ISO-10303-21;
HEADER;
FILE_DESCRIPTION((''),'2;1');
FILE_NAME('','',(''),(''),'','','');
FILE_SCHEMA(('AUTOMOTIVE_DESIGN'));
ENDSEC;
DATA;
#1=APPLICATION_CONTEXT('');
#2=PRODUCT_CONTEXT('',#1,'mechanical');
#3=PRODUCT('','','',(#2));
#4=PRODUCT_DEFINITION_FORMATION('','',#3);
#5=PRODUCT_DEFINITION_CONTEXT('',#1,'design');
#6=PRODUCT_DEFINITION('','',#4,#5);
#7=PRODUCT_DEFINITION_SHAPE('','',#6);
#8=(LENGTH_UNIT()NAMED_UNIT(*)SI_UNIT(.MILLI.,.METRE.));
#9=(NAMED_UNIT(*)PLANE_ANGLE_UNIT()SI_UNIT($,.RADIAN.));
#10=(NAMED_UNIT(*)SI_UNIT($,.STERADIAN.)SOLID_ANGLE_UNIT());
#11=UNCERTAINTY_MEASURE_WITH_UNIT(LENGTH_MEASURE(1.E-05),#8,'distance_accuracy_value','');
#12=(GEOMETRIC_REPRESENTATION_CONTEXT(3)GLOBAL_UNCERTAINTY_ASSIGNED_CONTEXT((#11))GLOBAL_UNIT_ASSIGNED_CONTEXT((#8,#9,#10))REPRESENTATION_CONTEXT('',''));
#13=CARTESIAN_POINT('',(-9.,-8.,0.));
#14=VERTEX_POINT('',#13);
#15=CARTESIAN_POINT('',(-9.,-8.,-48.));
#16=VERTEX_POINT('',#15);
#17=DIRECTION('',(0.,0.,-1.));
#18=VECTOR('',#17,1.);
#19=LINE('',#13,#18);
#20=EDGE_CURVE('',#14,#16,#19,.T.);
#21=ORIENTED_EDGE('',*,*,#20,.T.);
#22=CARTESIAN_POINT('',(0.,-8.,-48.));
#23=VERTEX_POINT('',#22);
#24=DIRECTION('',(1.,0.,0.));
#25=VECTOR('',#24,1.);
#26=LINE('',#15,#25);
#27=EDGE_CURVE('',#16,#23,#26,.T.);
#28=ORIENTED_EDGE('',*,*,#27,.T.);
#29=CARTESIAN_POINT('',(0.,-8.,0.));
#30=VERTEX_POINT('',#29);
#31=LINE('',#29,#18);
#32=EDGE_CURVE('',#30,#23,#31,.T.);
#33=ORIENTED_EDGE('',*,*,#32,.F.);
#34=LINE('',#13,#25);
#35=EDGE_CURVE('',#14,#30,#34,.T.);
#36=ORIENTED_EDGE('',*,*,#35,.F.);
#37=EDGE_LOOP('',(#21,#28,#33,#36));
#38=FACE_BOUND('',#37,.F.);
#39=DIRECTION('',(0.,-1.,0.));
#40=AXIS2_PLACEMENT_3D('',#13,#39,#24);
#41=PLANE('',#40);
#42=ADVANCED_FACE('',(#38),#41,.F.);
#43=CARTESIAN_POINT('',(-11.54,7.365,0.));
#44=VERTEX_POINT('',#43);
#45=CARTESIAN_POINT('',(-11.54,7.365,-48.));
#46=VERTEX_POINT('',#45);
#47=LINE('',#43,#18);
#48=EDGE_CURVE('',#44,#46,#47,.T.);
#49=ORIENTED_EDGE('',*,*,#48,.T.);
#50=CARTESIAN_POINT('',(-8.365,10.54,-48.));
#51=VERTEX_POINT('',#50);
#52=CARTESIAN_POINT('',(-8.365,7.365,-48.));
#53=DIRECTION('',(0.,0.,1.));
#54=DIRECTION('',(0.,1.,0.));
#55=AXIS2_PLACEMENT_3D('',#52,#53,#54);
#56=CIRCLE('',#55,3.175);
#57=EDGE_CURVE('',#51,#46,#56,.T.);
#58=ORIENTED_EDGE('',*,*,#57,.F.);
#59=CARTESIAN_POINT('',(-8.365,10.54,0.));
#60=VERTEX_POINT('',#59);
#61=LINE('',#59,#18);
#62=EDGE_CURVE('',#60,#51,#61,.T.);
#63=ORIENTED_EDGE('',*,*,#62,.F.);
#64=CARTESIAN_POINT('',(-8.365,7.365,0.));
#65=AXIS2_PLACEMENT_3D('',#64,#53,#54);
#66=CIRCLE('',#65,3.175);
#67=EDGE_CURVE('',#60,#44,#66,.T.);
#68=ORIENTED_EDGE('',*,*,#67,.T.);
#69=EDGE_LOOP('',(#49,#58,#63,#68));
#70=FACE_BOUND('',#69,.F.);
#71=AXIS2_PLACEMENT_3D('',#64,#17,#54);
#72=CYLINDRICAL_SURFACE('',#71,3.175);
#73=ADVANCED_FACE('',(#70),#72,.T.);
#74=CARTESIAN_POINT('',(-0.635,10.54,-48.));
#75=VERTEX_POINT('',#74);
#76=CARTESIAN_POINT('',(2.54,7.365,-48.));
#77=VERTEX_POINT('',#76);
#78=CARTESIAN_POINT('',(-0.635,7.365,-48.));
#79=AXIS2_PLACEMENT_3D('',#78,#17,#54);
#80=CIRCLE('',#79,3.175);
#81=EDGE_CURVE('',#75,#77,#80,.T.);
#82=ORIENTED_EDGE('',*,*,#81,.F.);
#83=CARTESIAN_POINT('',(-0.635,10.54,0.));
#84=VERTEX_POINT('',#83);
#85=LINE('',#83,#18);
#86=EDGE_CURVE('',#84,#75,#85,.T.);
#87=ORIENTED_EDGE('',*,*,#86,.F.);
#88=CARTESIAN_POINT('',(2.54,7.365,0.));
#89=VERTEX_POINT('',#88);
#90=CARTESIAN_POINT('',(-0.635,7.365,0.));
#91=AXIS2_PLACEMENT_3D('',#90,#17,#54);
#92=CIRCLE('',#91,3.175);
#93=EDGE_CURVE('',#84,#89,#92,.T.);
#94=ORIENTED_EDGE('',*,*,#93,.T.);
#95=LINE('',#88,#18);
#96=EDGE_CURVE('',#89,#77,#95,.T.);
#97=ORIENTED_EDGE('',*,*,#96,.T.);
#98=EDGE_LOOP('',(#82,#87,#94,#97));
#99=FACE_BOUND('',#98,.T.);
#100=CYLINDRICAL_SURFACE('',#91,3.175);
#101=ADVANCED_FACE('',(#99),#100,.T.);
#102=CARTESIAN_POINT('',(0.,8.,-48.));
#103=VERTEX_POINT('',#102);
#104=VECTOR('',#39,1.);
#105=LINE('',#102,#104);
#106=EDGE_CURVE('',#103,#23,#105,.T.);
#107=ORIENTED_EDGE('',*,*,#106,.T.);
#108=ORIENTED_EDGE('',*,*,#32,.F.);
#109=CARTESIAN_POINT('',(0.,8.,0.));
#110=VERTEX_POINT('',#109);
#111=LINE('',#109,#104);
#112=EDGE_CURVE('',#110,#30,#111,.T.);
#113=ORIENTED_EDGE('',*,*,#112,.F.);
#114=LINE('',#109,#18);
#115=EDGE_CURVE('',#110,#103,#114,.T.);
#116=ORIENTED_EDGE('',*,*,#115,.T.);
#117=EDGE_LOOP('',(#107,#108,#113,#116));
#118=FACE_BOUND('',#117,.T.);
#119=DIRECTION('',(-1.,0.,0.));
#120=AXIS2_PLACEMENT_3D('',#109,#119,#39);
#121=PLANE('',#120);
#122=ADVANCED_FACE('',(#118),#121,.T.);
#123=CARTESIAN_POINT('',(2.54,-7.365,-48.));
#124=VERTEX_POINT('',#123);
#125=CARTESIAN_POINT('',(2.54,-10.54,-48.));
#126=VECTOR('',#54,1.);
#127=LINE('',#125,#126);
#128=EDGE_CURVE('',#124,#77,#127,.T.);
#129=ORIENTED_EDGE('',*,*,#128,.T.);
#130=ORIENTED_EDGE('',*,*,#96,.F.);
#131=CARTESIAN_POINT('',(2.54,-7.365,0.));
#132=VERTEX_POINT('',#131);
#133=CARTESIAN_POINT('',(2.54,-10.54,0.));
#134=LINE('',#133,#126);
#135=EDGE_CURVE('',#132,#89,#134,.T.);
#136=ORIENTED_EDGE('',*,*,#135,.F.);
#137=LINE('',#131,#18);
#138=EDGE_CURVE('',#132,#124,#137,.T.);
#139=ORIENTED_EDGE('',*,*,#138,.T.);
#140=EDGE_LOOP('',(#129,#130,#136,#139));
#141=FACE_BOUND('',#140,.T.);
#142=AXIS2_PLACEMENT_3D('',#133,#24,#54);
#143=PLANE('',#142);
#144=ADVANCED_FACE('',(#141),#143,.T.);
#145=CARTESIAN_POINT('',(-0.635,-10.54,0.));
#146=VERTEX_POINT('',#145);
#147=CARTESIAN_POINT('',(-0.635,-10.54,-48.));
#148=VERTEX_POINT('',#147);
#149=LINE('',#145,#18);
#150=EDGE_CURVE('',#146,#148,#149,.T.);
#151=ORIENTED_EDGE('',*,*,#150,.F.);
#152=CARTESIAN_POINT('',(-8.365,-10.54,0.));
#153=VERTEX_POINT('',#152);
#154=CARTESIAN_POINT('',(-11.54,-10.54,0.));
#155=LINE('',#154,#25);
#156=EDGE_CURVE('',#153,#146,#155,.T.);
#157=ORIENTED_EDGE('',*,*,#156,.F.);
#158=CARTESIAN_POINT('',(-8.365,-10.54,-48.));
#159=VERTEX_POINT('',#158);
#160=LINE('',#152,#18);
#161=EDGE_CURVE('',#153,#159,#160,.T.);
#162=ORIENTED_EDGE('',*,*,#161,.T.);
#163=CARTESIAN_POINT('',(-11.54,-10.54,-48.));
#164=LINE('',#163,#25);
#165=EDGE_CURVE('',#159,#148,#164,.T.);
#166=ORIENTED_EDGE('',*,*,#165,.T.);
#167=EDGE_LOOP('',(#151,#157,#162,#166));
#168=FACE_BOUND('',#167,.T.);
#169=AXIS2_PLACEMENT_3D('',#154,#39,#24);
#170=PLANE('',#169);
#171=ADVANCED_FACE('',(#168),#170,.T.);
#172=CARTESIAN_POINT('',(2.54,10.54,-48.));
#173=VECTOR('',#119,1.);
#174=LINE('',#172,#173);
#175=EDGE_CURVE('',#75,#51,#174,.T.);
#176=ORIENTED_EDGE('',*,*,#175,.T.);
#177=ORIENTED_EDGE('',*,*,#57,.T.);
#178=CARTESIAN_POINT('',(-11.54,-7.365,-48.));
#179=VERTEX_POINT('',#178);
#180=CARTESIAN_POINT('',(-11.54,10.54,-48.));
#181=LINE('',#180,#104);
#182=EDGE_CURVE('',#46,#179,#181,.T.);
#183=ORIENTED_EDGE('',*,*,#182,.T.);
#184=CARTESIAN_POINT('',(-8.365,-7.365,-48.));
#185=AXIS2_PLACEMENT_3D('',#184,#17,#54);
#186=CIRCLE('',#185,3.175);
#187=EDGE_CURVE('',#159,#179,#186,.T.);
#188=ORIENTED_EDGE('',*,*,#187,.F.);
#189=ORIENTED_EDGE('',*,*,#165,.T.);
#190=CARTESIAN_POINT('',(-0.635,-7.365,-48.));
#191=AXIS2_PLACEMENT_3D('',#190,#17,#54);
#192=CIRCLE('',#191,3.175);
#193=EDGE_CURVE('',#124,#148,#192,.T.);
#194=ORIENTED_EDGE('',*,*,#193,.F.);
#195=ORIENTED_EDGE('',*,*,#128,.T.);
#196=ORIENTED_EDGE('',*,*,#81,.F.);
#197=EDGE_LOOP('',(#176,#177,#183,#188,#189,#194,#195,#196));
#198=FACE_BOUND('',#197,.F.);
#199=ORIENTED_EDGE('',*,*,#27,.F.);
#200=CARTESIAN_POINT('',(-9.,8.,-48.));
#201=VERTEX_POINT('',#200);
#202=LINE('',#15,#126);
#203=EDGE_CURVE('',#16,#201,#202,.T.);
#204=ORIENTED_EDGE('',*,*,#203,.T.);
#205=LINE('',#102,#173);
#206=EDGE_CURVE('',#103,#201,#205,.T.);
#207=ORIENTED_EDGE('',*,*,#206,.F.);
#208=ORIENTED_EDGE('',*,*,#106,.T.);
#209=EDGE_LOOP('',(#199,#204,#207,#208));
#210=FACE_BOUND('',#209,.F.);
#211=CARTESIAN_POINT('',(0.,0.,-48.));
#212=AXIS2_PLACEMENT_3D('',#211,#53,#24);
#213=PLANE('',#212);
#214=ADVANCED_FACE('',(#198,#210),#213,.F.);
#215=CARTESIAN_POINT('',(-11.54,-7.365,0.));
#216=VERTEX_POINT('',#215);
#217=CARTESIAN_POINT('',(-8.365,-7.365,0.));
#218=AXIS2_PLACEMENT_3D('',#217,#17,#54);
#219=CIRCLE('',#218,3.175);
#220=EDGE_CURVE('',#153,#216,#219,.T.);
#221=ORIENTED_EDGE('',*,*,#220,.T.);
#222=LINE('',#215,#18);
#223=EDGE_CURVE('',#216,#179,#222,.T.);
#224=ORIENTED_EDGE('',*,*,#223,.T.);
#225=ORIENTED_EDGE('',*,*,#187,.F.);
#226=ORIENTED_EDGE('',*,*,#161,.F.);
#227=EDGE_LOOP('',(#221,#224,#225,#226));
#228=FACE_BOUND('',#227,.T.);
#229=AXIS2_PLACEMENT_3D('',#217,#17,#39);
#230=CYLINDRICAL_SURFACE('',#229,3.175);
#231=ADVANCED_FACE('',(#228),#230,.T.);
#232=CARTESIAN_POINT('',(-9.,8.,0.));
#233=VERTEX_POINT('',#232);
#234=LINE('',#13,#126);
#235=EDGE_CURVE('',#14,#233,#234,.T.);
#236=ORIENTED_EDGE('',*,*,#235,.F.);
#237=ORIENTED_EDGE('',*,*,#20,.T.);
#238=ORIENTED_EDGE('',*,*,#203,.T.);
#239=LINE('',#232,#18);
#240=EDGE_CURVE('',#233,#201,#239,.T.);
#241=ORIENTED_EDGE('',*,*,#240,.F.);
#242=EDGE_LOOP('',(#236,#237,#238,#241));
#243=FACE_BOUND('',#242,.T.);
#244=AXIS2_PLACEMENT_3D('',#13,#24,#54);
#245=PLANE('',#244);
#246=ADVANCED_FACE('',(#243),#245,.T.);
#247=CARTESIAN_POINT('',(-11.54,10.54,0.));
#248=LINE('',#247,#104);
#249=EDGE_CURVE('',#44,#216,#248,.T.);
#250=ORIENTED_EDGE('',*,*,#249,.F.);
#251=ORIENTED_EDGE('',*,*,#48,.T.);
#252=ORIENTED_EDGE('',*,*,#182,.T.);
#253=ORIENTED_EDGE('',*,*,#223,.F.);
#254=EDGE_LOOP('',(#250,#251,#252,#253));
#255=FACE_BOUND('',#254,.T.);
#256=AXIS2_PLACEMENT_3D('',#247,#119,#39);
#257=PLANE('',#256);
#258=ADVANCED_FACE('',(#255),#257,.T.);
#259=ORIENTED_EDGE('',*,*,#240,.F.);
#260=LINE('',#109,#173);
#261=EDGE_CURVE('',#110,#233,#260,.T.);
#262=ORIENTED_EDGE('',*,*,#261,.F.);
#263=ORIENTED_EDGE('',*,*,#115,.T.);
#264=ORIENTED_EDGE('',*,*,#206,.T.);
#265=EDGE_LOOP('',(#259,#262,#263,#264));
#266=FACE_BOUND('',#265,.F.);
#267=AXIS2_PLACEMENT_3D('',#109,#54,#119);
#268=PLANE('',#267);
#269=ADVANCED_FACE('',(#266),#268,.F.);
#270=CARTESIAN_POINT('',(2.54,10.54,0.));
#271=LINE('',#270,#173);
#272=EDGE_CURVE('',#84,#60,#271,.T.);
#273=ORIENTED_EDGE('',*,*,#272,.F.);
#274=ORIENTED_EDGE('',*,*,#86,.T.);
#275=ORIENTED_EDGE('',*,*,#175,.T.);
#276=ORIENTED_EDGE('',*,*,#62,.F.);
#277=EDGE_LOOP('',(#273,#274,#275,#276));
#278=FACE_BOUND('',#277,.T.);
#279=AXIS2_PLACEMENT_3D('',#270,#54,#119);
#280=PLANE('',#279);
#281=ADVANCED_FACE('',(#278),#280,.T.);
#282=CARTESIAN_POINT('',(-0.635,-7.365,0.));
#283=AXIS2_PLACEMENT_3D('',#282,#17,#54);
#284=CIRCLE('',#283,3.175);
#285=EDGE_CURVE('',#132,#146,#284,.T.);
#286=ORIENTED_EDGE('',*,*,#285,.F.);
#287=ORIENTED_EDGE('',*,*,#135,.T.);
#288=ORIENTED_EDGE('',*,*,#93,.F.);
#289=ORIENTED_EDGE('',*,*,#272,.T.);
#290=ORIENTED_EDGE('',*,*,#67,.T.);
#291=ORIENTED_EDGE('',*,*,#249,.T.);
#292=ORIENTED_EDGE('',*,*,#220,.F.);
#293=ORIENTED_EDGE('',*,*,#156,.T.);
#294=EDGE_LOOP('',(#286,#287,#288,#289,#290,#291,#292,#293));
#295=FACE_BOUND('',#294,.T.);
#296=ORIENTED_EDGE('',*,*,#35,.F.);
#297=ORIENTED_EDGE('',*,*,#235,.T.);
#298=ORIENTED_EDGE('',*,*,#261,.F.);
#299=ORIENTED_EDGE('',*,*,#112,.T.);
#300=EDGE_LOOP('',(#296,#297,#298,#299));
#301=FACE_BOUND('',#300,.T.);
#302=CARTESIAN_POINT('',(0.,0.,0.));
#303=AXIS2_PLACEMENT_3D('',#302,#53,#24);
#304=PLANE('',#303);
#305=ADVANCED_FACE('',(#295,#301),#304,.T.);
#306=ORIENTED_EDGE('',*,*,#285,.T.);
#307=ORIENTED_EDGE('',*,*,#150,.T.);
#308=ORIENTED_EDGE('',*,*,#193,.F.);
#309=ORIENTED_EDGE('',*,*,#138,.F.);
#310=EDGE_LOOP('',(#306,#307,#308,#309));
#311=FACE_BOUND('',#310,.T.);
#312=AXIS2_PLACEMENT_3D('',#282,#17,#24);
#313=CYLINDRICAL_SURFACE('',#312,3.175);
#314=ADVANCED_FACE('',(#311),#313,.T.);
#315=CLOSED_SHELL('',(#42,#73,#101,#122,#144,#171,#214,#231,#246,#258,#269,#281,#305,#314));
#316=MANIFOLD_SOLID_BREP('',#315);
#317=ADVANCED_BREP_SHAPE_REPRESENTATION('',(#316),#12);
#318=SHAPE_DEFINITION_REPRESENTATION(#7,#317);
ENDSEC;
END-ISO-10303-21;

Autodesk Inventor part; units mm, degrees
ref_plane "YZ Plane" through (0, 0, 0) normal (1, 0, 0) x (0, 1, 0)
ref_plane "XZ Plane" through (0, 0, 0) normal (0, 1, 0) x (-1, 0, 0)
sketch "Sketch1" plane through (0, 0, 0) normal (0, 0, 1) x (1, 0, 0)
  line L0 (-9, -8) -> (0, -8) projected
  line L1 (-9, -8) -> (-9, 8) projected
  line L2 (0, 8) -> (0, -8) projected
  line L3 (0, 8) -> (-9, 8) projected
  line L4 (-11.54, 10.54) -> (-11.54, -10.54)
  line L5 (-11.54, -10.54) -> (2.54, -10.54)
  line L6 (2.54, -10.54) -> (2.54, 10.54)
  line L7 (2.54, 10.54) -> (-11.54, 10.54)
  point P0 (0, 0)
  dimension "d0" = 2.54
ref_plane "Work Plane1" through (-9, -8, -48) normal (0, 0, -1) x (0, 1, 0)
extrude "Extrusion1" add sketch "Sketch1" against normal up to surface (48 mm away)
fillet "Fillet1" radius 3.175 4 edges at (-11.54, -10.54, -24) (2.54, -10.54, -24) (-11.54, 10.54, -24) (2.54, 10.54, -24)
properties part number "Sleeve"
